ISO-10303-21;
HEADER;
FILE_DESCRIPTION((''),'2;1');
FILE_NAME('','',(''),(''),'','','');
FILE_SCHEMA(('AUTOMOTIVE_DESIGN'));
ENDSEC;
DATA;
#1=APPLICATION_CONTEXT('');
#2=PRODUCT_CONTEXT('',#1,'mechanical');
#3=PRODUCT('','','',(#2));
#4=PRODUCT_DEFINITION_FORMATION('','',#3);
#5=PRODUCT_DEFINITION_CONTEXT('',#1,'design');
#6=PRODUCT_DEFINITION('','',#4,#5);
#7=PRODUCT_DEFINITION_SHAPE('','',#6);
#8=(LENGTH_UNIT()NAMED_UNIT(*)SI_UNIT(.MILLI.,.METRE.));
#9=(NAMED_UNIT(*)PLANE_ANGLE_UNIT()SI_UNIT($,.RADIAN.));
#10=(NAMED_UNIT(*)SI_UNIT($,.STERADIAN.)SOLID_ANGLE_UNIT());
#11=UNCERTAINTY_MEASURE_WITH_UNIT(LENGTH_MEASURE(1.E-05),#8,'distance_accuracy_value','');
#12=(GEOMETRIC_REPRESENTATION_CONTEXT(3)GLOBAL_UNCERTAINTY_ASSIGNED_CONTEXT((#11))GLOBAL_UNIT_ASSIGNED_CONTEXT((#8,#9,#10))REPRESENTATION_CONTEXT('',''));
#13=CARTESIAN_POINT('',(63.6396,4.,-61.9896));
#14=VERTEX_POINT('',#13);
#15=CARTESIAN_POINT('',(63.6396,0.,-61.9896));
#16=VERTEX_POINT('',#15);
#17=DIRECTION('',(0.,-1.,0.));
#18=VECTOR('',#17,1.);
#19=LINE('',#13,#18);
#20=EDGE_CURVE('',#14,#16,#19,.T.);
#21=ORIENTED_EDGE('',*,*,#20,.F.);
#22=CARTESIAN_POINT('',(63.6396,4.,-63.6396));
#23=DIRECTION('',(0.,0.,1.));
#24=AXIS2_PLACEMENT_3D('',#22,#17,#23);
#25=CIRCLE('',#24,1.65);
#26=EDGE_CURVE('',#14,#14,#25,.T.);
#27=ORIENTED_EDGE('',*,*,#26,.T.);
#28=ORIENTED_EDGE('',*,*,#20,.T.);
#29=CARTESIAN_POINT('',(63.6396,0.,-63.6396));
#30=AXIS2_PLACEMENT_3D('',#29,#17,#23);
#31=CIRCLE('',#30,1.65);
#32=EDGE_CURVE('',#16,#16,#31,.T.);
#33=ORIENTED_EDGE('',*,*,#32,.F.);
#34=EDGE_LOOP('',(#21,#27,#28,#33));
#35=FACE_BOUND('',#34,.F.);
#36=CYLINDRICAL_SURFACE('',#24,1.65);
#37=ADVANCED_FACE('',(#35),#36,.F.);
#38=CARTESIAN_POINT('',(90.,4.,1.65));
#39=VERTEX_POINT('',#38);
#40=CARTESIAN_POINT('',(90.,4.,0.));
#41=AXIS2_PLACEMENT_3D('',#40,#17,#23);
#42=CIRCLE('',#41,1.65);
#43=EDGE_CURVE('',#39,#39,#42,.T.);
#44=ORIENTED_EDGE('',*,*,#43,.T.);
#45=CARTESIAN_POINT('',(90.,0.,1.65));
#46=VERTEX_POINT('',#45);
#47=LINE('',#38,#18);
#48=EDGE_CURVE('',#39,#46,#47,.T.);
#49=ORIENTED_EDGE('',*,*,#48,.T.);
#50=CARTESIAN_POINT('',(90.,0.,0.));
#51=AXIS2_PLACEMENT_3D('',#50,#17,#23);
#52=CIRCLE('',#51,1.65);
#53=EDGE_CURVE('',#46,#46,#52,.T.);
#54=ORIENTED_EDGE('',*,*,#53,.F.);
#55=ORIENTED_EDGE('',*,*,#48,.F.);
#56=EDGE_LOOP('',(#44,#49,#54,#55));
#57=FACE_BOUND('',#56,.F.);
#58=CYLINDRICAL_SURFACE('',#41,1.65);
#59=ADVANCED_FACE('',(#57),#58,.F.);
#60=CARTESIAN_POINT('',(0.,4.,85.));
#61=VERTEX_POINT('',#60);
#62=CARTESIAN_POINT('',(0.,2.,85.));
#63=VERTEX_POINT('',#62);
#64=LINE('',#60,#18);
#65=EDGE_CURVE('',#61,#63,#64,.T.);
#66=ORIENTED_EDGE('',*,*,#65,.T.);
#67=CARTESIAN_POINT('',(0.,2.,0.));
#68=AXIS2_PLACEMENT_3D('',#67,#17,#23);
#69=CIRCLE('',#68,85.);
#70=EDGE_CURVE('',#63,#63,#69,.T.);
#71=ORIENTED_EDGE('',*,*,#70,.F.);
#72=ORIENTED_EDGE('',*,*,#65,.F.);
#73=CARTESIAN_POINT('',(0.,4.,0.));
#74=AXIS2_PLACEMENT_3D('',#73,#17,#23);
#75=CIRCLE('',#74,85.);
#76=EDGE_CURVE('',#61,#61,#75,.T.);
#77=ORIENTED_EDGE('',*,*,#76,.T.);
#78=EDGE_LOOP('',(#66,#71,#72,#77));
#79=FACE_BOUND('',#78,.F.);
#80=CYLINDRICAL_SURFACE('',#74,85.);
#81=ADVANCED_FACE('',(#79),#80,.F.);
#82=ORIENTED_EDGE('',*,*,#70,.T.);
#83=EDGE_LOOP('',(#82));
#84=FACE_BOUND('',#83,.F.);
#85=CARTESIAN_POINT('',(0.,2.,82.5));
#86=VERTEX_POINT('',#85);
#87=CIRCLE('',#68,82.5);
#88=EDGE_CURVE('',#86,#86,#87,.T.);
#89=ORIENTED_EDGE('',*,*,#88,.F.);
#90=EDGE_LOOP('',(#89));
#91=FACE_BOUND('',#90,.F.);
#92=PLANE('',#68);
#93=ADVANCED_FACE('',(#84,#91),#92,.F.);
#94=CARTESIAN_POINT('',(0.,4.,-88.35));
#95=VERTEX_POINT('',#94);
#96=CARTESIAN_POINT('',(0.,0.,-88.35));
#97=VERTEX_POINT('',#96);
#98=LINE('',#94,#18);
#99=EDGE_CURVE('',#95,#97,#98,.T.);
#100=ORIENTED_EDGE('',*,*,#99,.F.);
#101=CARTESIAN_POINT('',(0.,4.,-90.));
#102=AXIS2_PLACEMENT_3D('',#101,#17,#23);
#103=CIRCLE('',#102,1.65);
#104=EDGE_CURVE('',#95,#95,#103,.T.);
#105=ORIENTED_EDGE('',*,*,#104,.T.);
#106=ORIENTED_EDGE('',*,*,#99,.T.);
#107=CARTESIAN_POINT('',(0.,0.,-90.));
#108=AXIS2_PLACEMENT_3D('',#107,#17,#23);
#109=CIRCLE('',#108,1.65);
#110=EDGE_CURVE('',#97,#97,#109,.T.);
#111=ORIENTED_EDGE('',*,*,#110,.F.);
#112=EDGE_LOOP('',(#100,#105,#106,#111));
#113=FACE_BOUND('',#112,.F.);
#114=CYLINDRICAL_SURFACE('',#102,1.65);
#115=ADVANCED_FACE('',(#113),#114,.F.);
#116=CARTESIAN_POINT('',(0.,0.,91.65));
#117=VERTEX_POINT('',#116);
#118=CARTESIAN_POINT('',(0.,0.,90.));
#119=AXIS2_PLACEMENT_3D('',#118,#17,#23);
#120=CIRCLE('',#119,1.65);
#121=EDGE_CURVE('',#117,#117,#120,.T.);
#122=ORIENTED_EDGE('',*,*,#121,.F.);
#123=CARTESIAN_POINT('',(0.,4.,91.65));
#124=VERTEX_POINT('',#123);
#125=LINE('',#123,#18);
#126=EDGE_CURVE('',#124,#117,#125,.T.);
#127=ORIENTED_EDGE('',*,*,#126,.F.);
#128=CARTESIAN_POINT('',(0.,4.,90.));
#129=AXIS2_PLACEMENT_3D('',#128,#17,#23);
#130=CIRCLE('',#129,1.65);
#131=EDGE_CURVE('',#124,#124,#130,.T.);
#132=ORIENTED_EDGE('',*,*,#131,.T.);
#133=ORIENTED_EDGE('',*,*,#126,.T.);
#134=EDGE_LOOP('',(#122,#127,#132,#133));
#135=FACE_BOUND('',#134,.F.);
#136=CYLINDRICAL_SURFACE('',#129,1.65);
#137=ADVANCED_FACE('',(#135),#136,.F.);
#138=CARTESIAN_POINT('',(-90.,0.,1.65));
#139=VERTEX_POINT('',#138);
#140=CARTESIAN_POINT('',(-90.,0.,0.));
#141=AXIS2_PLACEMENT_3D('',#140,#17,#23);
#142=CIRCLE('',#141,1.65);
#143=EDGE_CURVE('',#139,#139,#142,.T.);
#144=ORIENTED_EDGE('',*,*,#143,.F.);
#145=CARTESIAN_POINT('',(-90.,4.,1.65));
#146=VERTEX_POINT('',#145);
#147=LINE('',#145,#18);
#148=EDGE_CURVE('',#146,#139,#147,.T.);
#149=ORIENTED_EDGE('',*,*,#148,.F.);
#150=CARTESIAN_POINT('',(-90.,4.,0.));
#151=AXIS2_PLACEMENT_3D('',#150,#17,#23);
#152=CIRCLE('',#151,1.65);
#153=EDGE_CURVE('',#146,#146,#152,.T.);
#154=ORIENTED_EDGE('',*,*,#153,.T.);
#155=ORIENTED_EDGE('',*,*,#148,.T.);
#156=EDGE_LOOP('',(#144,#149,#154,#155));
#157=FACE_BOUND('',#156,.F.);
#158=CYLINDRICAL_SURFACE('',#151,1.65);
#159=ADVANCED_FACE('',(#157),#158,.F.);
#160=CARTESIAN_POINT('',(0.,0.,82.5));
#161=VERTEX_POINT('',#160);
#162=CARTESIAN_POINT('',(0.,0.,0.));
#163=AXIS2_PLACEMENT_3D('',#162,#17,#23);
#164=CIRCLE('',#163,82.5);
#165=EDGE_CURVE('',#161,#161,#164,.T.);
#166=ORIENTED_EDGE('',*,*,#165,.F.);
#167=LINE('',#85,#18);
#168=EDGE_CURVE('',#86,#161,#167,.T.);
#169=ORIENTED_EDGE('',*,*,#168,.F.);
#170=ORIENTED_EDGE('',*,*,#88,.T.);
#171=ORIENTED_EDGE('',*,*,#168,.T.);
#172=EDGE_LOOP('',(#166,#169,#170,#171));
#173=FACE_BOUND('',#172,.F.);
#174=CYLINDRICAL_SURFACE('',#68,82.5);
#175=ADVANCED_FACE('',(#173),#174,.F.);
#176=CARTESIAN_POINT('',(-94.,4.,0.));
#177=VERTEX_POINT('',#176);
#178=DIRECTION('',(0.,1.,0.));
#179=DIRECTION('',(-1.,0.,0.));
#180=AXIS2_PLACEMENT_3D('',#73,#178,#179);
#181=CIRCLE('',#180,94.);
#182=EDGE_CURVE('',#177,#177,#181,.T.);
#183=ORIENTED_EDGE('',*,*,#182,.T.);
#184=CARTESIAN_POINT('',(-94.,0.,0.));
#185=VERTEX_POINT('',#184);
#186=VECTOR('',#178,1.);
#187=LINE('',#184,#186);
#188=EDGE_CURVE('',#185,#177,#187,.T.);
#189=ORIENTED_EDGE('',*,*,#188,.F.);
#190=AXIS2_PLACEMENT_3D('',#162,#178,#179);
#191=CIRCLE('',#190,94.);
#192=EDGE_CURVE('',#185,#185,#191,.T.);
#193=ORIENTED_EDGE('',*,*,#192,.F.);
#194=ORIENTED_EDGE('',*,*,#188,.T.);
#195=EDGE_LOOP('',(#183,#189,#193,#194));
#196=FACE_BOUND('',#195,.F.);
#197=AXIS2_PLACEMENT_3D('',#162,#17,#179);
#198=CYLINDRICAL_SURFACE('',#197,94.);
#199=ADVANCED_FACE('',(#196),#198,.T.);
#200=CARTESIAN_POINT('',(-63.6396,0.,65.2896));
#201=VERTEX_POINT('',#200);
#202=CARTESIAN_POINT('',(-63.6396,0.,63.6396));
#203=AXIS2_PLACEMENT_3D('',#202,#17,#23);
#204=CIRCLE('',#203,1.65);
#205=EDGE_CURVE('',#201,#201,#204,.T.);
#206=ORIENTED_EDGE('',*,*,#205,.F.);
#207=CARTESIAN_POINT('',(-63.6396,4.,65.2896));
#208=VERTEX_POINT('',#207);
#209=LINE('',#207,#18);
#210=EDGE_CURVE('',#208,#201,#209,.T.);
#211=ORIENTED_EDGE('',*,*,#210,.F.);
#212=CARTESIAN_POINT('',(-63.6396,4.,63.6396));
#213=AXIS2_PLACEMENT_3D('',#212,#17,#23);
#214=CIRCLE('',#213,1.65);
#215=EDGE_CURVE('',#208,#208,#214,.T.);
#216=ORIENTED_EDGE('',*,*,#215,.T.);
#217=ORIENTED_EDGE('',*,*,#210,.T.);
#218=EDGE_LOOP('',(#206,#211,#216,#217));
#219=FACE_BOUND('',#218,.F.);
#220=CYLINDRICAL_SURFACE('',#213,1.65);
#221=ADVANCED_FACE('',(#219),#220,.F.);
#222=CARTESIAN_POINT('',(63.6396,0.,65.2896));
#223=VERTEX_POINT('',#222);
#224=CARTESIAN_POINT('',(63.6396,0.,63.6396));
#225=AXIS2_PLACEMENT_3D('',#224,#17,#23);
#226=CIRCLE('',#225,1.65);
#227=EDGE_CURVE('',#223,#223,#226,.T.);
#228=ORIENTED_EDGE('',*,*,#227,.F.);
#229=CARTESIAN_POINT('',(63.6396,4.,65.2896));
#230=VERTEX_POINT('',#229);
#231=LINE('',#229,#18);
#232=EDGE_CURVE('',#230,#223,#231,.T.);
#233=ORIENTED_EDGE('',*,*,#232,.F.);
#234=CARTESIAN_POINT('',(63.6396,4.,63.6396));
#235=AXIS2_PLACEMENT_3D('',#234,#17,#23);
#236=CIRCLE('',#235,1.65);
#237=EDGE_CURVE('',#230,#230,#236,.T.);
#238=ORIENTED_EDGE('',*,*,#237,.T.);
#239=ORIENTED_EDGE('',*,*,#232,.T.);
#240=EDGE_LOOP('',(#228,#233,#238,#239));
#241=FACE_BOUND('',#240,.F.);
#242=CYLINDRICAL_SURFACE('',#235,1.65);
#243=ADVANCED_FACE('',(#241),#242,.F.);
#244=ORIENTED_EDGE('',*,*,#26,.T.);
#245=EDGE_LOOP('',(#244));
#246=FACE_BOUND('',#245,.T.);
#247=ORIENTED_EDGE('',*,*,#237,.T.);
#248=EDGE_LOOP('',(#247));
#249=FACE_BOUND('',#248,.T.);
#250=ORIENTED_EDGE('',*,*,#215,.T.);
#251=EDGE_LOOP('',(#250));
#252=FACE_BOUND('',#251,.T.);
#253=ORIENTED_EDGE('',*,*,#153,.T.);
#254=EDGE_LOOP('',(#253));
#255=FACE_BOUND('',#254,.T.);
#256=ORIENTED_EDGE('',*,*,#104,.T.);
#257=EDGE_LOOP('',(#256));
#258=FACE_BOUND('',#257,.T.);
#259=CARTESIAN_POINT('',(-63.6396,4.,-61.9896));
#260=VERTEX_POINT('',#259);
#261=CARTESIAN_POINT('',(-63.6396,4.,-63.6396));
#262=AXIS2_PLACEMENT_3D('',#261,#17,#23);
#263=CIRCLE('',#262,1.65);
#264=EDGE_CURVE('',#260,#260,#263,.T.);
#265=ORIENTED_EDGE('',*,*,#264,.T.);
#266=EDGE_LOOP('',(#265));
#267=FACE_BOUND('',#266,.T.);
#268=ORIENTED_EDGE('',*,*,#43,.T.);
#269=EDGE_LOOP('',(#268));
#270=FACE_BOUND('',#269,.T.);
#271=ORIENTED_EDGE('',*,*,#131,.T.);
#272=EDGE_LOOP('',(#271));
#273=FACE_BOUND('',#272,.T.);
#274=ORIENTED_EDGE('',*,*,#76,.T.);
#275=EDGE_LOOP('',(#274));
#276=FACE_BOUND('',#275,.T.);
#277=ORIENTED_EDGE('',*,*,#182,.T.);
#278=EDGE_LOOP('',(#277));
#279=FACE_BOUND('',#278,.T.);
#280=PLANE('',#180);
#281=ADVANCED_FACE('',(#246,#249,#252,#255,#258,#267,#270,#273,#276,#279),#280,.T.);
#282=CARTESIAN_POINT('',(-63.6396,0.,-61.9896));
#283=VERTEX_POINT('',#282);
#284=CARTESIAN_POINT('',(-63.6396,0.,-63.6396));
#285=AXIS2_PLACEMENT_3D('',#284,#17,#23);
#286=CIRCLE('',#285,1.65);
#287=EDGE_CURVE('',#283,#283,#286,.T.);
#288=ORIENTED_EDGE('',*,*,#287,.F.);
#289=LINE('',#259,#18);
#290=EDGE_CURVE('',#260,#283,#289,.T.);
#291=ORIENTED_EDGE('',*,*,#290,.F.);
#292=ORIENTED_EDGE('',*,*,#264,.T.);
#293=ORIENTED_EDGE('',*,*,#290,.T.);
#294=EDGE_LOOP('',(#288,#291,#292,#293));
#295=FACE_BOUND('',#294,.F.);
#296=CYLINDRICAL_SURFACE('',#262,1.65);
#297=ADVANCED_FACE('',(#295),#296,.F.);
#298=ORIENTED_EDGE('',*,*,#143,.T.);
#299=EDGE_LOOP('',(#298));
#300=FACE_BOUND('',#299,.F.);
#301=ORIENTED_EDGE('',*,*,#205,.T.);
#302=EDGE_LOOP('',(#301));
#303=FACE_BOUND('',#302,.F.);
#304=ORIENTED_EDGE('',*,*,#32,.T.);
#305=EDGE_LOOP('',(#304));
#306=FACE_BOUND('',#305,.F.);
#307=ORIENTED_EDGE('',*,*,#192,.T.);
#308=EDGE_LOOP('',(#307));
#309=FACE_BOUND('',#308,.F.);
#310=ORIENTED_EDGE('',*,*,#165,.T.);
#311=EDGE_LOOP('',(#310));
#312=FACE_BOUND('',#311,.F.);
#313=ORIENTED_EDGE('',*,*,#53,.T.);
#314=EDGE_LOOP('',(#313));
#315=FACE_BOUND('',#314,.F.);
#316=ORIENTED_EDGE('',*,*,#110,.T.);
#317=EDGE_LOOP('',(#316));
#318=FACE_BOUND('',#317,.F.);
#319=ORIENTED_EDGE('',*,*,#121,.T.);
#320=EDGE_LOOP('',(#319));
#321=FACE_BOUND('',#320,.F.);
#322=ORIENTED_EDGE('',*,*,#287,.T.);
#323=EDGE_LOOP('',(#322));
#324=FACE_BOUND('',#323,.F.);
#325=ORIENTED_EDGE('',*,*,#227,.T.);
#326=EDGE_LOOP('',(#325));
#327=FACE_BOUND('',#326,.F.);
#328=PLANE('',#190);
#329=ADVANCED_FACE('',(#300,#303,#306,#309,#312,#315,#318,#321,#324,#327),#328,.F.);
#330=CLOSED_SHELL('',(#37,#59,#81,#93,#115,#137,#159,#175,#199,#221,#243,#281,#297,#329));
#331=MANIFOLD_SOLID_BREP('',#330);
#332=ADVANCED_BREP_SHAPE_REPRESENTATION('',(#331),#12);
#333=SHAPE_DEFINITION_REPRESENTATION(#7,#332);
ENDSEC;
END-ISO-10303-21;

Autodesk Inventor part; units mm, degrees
ref_plane "YZ Plane" through (0, 0, 0) normal (1, 0, 0) x (0, 1, 0)
ref_plane "XZ Plane" through (0, 0, 0) normal (0, 1, 0) x (-1, 0, 0)
ref_plane "XY Plane" through (0, 0, 0) normal (0, 0, 1) x (1, 0, 0)
sketch "Sketch1" plane through (0, 0, 0) normal (0, 1, 0) x (-1, 0, 0)
  circle A0 centre (0, 0) radius 94
  dimension "d0" = 188
extrude "Extrusion1" add sketch "Sketch1" along normal blind 4
sketch "Sketch2" plane through (0, 4, 0) normal (0, 1, 0) x (1, 0, 0)
  circle A0 centre (0, 0) radius 87.5
  dimension "d3" = 175
hole "Hole1" at (0, 4, 0) direction (0, -1, 0) diameter 170 depth 2
sketch "Sketch3" plane through (0, 2, 0) normal (0, 1, 0) x (1, 0, 0)
  circle A0 centre (0, 0) radius 82
  dimension "d11" = 164
hole "Hole2" at (0, 2, 0) direction (0, -1, 0) diameter 165 end through all
sketch "Sketch4" plane through (0, 4, 0) normal (0, 1, 0) x (1, 0, 0)
  circle A0 centre (-90, 0) radius 1.65
  point P0 (0, 0)
  dimension "d19" = 3.3
  dimension "d20" = 90
sketch "Sketch5" plane through (0, 4, 0) normal (0, 1, 0) x (1, 0, 0)
  circle A0 centre (-63.6396, 63.6396) radius 1.65
  point P0 (0, 0)
  dimension "d28" = 3.3
  dimension "d29" = 90
  dimension "d33" = 63.6396
sketch "Sketch6" plane through (0, 4, 0) normal (0, 1, 0) x (1, 0, 0)
  circle A0 centre (0, 90) radius 1.65
  point P0 (0, 0)
  dimension "d34" = 3.3
  dimension "d35" = 90
sketch "Sketch7" plane through (0, 4, 0) normal (0, 1, 0) x (1, 0, 0)
  circle A0 centre (63.6396, 63.6396) radius 1.65
  point P0 (0, 0)
  dimension "d36" = 3.3
  dimension "d37" = 90
  dimension "d38" = 63.6396
  dimension "d121" = 63.6396
sketch "Sketch8" plane through (0, 4, 0) normal (0, 1, 0) x (1, 0, 0)
  circle A0 centre (90, 0) radius 1.65
  point P0 (0, 0)
  dimension "d39" = 3.3
  dimension "d40" = 90
sketch "Sketch9" plane through (0, 4, 0) normal (0, 1, 0) x (1, 0, 0)
  circle A0 centre (63.6396, -63.6396) radius 2.15
  point P0 (0, 0)
  dimension "d41" = 4.3
  dimension "d42" = 90
  dimension "d43" = 63.6396
  dimension "d122" = 63.6396
sketch "Sketch10" plane through (0, 4, 0) normal (0, 1, 0) x (1, 0, 0)
  circle A0 centre (0, -90) radius 1.65
  point P0 (0, 0)
  dimension "d44" = 3.3
  dimension "d45" = 90
sketch "Sketch11" plane through (0, 4, 0) normal (0, 1, 0) x (1, 0, 0)
  circle A0 centre (-63.6396, -63.6396) radius 1.65
  point P0 (0, 0)
  dimension "d46" = 3.3
  dimension "d47" = 90
  dimension "d48" = 63.6396
  dimension "d123" = 63.6396
hole "Hole4" at (-90, 4, 0) direction (0, -1, 0) diameter 3.3 end through all
hole "Hole5" at (-63.6396, 4, -63.6396) direction (0, -1, 0) diameter 3.3 end through all
hole "Hole6" at (0, 4, -90) direction (0, -1, 0) diameter 3.3 end through all
hole "Hole7" at (63.6396, 4, -63.6396) direction (0, -1, 0) diameter 3.3 end through all
hole "Hole8" at (90, 4, 0) direction (0, -1, 0) diameter 3.3 end through all
hole "Hole9" at (63.6396, 4, 63.6396) direction (0, -1, 0) diameter 3.3 end through all
hole "Hole10" at (0, 4, 90) direction (0, -1, 0) diameter 3.3 end through all
hole "Hole11" at (-63.6396, 4, 63.6396) direction (0, -1, 0) diameter 3.3 end through all
thread "Thread9" size "M3.5x0.6" class "6H" standard "ANSI Metric M Profile" full length
thread "Thread10" size "M3.5x0.6" class "6H" standard "ANSI Metric M Profile" full length
thread "Thread11" size "M3.5x0.6" class "6H" standard "ANSI Metric M Profile" full length
thread "Thread12" size "M3.5x0.6" class "6H" standard "ANSI Metric M Profile" full length
thread "Thread13" size "M3.5x0.6" class "6H" standard "ANSI Metric M Profile" full length
thread "Thread14" size "M3.5x0.6" class "6H" standard "ANSI Metric M Profile" full length
thread "Thread15" size "M3.5x0.6" class "6H" standard "ANSI Metric M Profile" full length
thread "Thread16" size "M3.5x0.6" class "6H" standard "ANSI Metric M Profile" full length
thread "Thread17" size "M3.5x0.6" class "6H" standard "ANSI Metric M Profile" full length
properties part number "Shield Support Ring"
